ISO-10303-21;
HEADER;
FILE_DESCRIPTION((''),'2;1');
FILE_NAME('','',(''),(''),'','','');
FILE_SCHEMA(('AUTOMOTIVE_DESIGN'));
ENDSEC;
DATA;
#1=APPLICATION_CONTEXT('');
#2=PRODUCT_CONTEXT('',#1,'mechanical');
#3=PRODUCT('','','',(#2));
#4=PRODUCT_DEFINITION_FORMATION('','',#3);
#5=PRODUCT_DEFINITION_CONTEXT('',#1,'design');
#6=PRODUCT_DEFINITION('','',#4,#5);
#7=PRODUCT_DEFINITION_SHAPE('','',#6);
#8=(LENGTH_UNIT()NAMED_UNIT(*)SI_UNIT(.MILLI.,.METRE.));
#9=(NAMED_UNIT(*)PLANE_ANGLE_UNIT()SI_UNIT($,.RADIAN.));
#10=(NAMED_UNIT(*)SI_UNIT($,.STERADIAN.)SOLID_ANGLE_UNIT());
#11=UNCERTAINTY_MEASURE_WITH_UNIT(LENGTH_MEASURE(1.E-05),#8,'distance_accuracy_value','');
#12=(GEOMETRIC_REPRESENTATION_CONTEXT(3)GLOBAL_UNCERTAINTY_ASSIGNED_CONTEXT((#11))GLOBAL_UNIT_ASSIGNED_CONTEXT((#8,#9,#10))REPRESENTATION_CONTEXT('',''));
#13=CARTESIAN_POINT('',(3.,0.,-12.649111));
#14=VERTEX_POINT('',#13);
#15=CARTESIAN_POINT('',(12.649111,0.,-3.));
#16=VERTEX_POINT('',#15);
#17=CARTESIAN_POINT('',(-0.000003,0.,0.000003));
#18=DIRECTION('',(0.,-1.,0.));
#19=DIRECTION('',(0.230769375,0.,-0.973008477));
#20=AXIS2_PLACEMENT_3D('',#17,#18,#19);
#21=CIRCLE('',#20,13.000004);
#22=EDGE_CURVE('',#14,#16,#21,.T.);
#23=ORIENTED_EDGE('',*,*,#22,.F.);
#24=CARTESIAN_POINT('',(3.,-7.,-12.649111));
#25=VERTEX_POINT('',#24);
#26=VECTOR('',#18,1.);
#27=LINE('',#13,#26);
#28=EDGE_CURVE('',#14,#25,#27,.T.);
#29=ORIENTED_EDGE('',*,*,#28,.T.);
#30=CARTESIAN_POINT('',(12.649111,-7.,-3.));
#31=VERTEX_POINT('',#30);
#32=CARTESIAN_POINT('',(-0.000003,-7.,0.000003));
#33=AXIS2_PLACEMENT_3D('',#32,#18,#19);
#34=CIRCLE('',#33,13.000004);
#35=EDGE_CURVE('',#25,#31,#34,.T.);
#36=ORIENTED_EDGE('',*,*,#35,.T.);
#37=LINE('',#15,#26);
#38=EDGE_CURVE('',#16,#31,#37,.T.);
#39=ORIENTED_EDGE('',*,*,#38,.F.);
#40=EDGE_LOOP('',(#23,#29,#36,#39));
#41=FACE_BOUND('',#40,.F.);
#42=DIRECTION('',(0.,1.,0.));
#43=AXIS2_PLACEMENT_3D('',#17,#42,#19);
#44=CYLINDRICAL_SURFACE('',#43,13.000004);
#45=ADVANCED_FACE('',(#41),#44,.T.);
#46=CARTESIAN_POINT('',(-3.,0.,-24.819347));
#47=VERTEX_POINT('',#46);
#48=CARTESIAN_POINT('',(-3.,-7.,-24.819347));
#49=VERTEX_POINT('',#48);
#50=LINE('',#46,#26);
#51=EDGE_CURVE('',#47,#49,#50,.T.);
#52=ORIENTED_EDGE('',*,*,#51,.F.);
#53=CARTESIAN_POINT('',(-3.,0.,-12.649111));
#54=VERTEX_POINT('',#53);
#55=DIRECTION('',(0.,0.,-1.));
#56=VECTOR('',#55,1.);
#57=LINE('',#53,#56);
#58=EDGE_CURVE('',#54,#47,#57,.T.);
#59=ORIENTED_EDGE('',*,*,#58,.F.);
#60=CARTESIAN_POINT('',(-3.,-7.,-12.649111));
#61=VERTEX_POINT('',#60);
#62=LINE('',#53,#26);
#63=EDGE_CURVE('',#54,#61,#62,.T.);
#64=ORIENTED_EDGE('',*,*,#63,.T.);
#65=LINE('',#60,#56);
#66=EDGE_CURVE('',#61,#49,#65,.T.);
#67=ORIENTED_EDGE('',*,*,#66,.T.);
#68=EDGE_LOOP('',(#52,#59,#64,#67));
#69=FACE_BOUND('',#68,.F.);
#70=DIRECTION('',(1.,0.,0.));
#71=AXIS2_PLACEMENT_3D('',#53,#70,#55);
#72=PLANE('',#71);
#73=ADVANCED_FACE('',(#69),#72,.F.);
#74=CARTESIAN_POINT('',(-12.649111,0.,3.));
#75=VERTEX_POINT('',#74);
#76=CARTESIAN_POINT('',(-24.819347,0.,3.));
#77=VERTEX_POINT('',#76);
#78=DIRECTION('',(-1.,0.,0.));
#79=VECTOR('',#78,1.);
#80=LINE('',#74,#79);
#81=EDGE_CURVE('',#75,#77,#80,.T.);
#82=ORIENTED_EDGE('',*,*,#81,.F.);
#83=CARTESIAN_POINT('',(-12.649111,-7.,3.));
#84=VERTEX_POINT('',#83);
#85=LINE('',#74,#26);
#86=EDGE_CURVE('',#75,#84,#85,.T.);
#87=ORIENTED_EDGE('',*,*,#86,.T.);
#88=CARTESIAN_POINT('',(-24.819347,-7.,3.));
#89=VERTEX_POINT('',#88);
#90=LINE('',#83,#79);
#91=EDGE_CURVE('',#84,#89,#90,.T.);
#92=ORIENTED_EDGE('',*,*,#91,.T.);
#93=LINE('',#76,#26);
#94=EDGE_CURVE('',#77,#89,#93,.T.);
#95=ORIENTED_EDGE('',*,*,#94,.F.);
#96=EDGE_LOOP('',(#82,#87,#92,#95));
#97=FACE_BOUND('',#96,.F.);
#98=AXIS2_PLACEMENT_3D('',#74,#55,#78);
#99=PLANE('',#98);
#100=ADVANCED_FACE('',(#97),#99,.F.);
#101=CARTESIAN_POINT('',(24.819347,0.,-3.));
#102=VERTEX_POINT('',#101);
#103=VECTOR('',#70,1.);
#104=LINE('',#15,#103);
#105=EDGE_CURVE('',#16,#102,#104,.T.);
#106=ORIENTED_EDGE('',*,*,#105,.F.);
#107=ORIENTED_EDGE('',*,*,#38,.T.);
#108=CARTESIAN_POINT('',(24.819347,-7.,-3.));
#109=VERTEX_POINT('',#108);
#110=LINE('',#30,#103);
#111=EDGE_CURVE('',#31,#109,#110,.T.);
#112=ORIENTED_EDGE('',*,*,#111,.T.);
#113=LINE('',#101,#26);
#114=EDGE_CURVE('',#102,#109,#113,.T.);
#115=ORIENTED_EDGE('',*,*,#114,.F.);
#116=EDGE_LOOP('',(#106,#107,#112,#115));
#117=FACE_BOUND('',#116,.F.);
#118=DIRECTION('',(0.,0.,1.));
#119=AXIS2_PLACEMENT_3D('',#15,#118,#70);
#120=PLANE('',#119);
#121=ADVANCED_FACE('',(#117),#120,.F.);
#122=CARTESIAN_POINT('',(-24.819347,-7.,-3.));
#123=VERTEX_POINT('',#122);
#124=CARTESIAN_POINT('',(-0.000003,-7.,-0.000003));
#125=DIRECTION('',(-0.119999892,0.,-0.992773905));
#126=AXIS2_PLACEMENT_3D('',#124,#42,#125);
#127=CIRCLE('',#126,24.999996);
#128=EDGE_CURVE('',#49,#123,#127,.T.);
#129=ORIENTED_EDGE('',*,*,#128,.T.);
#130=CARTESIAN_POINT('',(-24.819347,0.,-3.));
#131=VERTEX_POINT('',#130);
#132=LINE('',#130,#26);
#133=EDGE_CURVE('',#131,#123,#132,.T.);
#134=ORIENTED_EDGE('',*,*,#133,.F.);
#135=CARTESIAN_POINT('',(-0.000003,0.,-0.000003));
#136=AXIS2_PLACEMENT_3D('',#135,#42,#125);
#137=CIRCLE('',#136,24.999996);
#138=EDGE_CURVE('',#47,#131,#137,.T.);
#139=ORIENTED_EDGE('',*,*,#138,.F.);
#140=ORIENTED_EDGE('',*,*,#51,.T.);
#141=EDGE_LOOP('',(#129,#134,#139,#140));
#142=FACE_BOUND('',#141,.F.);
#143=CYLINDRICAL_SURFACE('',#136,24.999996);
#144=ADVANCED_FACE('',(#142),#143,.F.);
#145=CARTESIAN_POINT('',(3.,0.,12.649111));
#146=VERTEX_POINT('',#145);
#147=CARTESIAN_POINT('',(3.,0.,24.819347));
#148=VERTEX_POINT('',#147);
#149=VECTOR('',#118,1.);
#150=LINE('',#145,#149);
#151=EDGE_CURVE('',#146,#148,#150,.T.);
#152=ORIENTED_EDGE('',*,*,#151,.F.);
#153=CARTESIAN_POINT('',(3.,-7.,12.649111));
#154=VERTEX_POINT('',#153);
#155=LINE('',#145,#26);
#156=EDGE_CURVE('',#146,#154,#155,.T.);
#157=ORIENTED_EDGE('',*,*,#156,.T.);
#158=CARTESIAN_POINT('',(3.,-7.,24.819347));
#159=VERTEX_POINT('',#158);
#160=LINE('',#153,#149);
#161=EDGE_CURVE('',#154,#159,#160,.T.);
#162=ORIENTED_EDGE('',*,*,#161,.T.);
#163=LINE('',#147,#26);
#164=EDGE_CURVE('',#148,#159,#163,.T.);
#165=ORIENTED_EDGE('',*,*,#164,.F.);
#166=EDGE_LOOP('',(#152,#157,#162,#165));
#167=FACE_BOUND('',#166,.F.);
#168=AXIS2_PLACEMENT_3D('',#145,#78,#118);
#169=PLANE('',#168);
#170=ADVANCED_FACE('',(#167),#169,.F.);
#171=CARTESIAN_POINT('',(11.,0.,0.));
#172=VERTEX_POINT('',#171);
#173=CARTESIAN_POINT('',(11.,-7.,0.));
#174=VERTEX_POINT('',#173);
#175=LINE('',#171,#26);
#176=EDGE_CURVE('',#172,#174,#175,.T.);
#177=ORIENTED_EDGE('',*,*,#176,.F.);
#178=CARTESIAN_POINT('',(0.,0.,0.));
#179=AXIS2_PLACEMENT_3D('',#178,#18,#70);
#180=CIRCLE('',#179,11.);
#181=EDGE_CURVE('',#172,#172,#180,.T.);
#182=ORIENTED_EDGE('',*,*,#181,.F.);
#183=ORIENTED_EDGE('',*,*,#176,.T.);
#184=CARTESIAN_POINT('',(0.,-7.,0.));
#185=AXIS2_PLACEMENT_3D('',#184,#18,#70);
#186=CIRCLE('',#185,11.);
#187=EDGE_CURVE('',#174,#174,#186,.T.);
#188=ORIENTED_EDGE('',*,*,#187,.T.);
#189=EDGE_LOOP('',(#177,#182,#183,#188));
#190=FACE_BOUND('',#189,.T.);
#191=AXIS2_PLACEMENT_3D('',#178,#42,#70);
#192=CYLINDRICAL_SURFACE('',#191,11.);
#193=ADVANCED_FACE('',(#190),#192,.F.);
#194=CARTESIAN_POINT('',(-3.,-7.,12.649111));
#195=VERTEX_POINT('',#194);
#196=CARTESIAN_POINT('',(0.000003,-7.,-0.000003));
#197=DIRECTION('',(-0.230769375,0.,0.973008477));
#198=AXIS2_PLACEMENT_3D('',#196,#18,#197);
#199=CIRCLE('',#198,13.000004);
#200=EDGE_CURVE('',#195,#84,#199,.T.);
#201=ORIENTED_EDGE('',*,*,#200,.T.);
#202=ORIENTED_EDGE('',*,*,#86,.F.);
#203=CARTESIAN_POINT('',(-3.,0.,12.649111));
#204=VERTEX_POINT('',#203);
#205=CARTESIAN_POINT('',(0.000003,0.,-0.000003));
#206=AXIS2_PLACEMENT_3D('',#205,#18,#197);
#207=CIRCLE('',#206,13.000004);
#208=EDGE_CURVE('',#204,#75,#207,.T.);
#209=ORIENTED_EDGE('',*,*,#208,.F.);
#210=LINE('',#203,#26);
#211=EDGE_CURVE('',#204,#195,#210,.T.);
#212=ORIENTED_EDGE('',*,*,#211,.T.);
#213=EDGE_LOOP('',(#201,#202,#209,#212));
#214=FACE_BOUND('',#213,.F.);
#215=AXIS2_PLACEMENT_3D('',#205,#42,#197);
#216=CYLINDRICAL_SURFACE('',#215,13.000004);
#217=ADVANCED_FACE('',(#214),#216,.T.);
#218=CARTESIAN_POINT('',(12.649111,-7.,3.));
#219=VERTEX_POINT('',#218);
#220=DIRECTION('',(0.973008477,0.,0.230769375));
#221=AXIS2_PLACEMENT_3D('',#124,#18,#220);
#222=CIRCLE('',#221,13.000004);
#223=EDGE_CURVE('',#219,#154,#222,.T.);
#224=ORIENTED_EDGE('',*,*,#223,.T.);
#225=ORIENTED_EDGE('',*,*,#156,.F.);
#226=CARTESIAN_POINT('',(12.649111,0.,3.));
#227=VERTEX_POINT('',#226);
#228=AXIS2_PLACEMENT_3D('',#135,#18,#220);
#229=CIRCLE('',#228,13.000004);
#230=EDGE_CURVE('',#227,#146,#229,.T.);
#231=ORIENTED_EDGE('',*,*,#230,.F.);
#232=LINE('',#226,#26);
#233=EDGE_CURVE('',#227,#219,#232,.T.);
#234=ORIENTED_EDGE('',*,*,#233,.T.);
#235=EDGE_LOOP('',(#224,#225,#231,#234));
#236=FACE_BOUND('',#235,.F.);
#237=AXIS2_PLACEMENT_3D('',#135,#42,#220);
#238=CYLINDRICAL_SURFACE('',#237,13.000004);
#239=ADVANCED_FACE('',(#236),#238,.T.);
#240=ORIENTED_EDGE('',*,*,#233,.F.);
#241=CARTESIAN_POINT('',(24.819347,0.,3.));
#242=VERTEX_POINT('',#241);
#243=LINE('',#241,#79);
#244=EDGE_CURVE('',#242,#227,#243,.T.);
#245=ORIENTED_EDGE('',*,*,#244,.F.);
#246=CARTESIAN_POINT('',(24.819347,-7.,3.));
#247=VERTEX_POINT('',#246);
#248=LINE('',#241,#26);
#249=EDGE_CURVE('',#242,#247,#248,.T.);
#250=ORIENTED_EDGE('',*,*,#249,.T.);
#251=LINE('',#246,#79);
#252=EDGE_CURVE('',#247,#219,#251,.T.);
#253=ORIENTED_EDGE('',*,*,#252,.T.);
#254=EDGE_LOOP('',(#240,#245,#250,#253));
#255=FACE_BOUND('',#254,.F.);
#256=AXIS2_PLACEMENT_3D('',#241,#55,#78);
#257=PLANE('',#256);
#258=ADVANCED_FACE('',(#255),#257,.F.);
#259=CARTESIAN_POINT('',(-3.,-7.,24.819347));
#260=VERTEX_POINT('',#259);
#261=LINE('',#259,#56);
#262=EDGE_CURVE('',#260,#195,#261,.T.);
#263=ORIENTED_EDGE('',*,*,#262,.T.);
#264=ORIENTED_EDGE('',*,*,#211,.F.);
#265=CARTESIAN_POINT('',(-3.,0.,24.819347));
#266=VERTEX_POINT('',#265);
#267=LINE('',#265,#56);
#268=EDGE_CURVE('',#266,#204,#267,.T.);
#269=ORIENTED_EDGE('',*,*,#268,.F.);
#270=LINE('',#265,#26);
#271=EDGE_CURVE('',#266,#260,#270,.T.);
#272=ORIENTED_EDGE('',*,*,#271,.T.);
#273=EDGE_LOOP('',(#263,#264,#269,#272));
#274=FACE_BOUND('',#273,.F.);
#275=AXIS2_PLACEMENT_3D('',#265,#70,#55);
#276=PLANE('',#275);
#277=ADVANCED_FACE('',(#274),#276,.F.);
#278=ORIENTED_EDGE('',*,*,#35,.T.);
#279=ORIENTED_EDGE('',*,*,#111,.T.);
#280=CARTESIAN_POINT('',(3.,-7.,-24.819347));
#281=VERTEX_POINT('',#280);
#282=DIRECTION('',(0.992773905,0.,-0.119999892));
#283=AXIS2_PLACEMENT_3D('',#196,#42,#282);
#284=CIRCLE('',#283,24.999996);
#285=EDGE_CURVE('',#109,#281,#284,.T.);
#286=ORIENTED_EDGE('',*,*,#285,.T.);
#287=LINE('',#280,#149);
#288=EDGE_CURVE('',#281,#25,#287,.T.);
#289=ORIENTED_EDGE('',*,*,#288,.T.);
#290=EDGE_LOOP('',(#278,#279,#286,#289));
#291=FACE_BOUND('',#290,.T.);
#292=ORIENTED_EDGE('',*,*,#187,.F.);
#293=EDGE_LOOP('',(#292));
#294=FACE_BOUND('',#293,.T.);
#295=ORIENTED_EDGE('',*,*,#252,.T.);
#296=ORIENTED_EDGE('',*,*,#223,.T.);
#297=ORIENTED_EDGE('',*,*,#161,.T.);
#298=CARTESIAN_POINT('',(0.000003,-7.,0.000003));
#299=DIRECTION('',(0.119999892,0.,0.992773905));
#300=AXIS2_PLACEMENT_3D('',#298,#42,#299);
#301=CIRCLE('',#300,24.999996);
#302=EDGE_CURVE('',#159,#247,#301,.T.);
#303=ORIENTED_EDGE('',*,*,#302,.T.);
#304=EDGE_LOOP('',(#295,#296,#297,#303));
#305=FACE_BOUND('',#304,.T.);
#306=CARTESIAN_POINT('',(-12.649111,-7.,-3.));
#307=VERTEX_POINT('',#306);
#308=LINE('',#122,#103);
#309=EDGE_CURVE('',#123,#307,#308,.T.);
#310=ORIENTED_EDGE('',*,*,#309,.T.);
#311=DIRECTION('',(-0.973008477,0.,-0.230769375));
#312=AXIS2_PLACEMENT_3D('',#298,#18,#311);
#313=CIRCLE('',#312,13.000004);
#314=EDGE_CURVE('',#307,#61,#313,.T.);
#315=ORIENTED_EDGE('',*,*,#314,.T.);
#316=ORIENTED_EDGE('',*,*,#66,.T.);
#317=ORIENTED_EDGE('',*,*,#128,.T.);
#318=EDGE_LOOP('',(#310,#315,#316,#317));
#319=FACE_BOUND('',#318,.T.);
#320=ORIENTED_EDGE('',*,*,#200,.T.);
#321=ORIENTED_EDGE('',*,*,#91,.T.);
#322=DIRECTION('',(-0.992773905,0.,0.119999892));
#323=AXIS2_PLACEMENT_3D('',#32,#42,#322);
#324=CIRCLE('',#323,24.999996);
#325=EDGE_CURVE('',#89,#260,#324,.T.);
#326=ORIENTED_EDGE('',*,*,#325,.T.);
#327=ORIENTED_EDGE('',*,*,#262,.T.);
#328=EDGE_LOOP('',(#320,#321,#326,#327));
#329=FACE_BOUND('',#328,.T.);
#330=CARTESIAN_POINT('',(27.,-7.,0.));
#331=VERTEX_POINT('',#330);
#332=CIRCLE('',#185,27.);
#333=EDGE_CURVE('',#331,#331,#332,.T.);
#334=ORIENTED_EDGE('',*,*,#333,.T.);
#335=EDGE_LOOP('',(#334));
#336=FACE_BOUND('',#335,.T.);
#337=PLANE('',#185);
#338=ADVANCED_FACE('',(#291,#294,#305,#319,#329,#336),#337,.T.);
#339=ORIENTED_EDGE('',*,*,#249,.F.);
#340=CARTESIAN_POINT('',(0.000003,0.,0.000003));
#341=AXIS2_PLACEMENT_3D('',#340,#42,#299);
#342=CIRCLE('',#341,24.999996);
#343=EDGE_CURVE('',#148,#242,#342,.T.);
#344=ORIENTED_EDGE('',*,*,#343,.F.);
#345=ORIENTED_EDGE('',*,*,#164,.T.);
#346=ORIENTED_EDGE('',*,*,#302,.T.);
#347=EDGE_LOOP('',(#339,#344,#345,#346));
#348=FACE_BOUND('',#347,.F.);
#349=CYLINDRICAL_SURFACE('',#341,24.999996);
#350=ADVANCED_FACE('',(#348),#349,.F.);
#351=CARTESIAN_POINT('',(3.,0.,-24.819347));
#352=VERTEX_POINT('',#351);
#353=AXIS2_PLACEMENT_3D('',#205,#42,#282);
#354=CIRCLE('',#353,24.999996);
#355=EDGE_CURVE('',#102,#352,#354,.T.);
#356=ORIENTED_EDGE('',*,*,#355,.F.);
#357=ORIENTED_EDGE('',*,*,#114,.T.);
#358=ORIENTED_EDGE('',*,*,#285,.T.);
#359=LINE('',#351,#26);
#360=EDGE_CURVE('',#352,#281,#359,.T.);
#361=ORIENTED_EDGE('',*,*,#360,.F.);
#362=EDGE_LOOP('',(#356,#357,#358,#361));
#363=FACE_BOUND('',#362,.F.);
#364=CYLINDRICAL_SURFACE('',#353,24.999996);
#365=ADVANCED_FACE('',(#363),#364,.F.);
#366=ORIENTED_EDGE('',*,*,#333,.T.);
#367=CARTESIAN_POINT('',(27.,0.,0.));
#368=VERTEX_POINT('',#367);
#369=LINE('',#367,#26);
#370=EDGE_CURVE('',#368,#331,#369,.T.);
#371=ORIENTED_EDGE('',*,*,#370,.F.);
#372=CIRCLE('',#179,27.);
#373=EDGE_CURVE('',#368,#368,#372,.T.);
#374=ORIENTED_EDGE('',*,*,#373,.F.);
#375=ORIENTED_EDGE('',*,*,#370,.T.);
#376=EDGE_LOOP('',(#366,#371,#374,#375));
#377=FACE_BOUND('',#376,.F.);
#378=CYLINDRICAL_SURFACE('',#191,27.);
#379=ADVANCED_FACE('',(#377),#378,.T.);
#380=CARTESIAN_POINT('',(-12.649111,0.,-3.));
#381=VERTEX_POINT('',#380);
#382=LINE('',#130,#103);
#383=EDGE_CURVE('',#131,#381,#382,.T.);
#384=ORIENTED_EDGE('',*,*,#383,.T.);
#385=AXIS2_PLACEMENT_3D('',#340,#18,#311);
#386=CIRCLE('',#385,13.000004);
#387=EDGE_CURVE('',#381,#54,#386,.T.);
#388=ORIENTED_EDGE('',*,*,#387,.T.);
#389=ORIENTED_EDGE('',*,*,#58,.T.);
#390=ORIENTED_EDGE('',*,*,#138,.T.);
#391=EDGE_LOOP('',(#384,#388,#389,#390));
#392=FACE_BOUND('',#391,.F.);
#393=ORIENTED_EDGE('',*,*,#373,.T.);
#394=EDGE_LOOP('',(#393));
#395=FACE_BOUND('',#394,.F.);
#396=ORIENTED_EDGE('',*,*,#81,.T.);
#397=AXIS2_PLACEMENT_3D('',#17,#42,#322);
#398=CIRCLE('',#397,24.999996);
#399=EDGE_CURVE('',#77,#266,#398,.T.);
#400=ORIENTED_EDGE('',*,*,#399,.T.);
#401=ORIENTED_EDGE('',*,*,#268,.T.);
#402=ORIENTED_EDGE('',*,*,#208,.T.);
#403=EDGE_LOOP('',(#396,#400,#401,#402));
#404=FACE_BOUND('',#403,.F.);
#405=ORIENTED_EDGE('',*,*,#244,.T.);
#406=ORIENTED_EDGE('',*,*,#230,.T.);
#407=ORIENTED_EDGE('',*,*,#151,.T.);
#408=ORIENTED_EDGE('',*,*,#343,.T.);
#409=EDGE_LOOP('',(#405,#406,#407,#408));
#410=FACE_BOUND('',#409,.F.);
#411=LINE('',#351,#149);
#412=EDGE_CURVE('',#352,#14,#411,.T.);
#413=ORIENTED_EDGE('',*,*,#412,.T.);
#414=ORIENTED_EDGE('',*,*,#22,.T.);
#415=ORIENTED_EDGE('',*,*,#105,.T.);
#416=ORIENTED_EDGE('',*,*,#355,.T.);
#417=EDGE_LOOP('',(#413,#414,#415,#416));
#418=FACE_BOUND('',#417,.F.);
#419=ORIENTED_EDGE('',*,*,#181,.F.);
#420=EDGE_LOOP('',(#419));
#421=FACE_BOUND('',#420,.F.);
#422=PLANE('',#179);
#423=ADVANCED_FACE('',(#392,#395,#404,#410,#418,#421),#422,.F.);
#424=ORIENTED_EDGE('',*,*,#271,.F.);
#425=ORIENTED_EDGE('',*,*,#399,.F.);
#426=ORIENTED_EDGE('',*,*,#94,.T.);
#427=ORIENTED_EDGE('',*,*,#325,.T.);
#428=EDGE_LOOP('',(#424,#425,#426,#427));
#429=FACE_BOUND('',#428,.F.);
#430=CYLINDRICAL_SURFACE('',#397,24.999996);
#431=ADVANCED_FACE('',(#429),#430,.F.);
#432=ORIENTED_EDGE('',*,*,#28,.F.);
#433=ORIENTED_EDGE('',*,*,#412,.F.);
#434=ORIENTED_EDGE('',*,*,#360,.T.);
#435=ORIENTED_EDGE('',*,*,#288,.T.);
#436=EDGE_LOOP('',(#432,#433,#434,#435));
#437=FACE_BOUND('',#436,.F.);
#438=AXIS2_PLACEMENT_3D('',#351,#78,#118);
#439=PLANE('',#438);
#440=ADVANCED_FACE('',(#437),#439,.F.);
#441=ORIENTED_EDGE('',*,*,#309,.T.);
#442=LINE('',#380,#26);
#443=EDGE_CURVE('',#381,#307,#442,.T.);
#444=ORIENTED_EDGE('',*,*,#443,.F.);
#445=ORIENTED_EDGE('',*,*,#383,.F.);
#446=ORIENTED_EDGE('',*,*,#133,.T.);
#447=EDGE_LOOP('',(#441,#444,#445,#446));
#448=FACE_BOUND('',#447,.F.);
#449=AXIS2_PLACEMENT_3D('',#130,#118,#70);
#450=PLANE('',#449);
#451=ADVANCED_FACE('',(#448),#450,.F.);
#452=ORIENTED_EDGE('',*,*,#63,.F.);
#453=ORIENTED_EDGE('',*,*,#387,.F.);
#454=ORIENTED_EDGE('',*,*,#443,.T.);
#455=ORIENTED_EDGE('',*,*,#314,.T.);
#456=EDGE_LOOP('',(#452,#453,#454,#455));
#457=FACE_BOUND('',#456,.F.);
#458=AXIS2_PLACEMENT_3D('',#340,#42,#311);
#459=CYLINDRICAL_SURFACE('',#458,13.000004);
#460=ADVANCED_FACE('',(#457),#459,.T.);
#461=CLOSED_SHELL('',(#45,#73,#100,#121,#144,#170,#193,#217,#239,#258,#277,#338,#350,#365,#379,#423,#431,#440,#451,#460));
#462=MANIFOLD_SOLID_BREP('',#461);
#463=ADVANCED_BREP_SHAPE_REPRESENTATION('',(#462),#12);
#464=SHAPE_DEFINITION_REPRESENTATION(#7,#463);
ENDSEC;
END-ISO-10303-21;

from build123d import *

# Parameters (mm, degrees)
F0_R     = 27
F0_R_2   = 11
F1_DEPTH = 7


with BuildPart() as f1:
    # F0 (on Front) → F1 (new body)
    with BuildSketch(Plane.XZ):
        Circle(F0_R)
        with BuildLine():
            ThreePointArc((3, 24.819347), (17.67767, 17.67767), (24.819347, 3))
            ThreePointArc((24.819347, 3), (24.954796, 1.502717), (25, 0))
            ThreePointArc((25, 0), (24.954796, -1.502717), (24.819347, -3))
            ThreePointArc((24.819347, -3), (17.67767, -17.67767), (3, -24.819347))
            ThreePointArc((3, -24.819347), (0, -25), (-3, -24.819347))
            ThreePointArc((-3, -24.819347), (-17.67767, -17.67767), (-24.819347, -3))
            ThreePointArc((-24.819347, -3), (-25, 0), (-24.819347, 3))
            ThreePointArc((-24.819347, 3), (-17.67767, 17.67767), (-3, 24.819347))
            ThreePointArc((-3, 24.819347), (0, 25), (3, 24.819347))
        make_face(mode=Mode.SUBTRACT)
        with BuildLine():
            ThreePointArc((-12.649111, -3), (-13, 0), (-12.649111, 3))
            Line((-12.649111, 3), (-24.819347, 3))
            ThreePointArc((-24.819347, 3), (-25, 0), (-24.819347, -3))
            Line((-24.819347, -3), (-12.649111, -3))
        make_face()
        with BuildLine():
            ThreePointArc((-3, 12.649111), (0, 13), (3, 12.649111))
            Line((3, 12.649111), (3, 24.819347))
            ThreePointArc((3, 24.819347), (0, 25), (-3, 24.819347))
            Line((-3, 24.819347), (-3, 12.649111))
        make_face()
        with BuildLine():
            ThreePointArc((12.649111, 3), (12.91198, 1.510225), (13, 0))
            ThreePointArc((13, 0), (12.91198, -1.510225), (12.649111, -3))
            Line((12.649111, -3), (24.819347, -3))
            ThreePointArc((24.819347, -3), (24.954796, -1.502717), (25, 0))
            ThreePointArc((25, 0), (24.954796, 1.502717), (24.819347, 3))
            Line((24.819347, 3), (12.649111, 3))
        make_face()
        with BuildLine():
            ThreePointArc((12.649111, -3), (12.91198, -1.510225), (13, 0))
            ThreePointArc((13, 0), (12.91198, 1.510225), (12.649111, 3))
            ThreePointArc((12.649111, 3), (9.192388, 9.192388), (3, 12.649111))
            ThreePointArc((3, 12.649111), (0, 13), (-3, 12.649111))
            ThreePointArc((-3, 12.649111), (-9.192388, 9.192388), (-12.649111, 3))
            ThreePointArc((-12.649111, 3), (-13, 0), (-12.649111, -3))
            ThreePointArc((-12.649111, -3), (-9.192388, -9.192388), (-3, -12.649111))
            ThreePointArc((-3, -12.649111), (0, -13), (3, -12.649111))
            ThreePointArc((3, -12.649111), (9.192388, -9.192388), (12.649111, -3))
        make_face()
        Circle(F0_R_2, mode=Mode.SUBTRACT)
        with BuildLine():
            Line((3, -24.819347), (3, -12.649111))
            ThreePointArc((3, -12.649111), (0, -13), (-3, -12.649111))
            Line((-3, -12.649111), (-3, -24.819347))
            ThreePointArc((-3, -24.819347), (0, -25), (3, -24.819347))
        make_face()
    extrude(amount=F1_DEPTH)


solid = f1.part
